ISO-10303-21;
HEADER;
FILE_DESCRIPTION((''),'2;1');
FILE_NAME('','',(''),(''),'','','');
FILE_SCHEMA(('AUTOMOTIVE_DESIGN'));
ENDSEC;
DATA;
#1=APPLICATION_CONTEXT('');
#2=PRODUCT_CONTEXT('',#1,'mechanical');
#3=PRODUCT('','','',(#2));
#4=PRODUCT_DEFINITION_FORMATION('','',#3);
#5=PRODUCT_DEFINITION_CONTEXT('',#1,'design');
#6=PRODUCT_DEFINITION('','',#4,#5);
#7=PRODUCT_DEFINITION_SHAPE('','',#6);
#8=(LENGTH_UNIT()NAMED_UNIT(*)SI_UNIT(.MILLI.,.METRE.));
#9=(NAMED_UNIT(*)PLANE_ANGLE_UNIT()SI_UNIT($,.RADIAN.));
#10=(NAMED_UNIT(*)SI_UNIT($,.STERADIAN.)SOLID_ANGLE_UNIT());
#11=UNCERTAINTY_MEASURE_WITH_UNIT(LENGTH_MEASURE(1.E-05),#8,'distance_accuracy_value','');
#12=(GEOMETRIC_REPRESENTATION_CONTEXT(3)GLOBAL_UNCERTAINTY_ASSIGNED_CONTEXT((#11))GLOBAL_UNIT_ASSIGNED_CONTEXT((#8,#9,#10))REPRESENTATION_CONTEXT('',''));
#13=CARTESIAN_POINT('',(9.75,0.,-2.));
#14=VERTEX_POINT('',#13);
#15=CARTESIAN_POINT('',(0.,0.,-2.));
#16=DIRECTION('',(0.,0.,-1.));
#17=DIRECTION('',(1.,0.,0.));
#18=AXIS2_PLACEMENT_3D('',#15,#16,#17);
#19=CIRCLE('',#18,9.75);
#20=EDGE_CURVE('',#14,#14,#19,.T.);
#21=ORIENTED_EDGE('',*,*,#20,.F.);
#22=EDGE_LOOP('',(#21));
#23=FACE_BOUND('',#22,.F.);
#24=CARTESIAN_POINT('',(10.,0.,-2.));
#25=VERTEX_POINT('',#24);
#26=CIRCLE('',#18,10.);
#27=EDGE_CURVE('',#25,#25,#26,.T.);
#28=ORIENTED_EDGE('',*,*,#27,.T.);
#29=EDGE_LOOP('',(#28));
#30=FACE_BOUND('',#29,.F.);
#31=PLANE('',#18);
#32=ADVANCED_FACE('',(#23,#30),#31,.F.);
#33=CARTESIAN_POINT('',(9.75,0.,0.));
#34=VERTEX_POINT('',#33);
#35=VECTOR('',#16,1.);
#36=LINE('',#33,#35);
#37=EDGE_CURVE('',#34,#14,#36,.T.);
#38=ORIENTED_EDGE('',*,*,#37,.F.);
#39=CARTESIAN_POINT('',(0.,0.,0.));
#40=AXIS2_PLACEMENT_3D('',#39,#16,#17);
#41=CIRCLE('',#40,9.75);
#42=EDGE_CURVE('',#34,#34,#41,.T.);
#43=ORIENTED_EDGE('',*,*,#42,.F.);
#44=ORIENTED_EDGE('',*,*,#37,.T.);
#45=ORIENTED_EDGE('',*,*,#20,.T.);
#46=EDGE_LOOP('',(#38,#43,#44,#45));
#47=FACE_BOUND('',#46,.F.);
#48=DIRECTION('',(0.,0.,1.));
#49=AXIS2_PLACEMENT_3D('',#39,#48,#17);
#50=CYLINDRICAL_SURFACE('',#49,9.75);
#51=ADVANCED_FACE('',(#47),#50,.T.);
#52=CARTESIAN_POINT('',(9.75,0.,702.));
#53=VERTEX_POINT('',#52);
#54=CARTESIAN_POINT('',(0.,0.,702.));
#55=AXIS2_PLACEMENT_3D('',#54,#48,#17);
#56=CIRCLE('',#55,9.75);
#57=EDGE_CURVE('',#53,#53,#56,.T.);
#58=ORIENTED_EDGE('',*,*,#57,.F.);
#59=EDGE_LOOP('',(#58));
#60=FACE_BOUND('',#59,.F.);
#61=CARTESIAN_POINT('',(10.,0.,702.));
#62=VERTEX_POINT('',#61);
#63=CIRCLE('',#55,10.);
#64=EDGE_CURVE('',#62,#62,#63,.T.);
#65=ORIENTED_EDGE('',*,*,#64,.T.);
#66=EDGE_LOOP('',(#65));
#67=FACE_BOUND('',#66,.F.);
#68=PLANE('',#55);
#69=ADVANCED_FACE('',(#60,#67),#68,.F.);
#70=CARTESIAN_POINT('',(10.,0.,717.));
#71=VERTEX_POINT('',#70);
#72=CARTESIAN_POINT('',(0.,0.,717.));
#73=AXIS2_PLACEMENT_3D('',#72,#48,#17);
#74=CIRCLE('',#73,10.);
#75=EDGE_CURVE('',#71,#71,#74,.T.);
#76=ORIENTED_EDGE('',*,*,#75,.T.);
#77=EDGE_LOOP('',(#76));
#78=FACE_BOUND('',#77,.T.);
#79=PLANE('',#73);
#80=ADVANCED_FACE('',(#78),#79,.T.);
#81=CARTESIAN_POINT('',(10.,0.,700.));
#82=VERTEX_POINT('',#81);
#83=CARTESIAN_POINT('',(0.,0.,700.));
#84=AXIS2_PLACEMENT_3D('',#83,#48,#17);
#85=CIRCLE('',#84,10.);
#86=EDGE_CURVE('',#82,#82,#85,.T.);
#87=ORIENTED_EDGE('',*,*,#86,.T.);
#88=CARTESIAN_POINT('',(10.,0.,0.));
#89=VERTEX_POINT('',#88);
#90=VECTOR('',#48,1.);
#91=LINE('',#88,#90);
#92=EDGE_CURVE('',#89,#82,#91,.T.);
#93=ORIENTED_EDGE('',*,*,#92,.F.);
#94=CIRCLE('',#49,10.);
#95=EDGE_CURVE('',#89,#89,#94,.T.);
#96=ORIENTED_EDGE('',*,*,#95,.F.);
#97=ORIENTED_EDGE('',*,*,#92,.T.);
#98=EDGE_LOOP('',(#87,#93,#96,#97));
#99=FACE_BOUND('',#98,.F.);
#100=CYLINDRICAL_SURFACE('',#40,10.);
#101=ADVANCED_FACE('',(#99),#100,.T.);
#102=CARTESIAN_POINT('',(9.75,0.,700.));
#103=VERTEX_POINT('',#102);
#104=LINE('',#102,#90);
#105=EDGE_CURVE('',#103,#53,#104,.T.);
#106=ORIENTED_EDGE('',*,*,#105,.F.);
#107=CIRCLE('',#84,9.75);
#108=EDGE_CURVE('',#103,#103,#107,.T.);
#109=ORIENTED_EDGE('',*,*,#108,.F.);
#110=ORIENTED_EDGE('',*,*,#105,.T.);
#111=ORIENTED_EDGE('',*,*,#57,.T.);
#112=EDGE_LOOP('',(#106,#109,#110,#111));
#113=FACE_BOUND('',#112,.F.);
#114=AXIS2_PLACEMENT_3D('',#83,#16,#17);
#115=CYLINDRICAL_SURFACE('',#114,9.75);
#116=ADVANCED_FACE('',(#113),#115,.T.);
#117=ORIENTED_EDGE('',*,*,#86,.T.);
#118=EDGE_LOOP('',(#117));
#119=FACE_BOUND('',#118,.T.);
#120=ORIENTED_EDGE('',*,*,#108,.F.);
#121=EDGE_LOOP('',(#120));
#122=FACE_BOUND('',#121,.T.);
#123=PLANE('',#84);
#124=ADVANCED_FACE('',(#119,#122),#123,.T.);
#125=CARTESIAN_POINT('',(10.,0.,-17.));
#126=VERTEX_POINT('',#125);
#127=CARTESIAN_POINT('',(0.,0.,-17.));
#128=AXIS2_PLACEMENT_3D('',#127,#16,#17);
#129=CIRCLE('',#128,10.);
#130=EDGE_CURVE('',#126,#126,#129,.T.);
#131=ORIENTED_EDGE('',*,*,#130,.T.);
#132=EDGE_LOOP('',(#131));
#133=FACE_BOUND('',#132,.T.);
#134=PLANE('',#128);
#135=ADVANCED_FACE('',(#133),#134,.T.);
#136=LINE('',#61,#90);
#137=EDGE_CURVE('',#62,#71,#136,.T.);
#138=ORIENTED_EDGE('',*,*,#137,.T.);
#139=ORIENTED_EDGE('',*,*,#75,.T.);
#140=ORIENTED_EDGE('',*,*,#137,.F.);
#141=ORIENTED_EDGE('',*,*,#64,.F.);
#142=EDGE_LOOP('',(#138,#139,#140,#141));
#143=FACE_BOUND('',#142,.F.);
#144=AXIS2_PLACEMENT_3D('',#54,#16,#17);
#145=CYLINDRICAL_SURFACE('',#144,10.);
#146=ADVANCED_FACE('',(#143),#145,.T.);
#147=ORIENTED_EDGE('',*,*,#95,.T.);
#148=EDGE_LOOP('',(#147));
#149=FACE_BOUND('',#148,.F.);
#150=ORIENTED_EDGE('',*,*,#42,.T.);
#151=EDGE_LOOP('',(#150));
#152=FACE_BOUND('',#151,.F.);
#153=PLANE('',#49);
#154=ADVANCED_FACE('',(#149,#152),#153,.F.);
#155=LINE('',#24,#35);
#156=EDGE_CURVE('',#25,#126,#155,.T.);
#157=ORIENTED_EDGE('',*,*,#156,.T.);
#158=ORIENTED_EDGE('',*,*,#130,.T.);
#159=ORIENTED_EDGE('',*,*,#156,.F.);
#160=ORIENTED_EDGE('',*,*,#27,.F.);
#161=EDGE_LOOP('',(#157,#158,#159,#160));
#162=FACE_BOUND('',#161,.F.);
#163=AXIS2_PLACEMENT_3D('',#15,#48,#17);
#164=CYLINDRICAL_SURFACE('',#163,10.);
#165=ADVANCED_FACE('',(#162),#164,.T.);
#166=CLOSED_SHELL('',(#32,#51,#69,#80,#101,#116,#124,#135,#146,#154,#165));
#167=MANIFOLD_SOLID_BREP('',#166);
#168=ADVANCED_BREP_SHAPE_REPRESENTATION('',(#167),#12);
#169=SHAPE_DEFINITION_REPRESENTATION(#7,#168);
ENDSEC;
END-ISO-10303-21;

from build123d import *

# Parameters (mm, degrees)
F0_R     = 10
F1_DEPTH = 700
F2_R     = 9.75
F3_DEPTH = 2
F4_R     = 10
F4_R_2   = 9.75
F5_DEPTH = 15
F6_R     = 9.75
F7_DEPTH = 2
F8_R     = 10
F8_R_2   = 9.75
F9_DEPTH = 15


with BuildPart() as f1:
    # F0 (on Top) → F1 (new body)
    with BuildSketch(Plane.XY):
        Circle(F0_R)
    extrude(amount=F1_DEPTH)

    # F2 (on face) → F3 (join)
    with BuildSketch(Plane(origin=(0, 0, 0), x_dir=(1, 0, 0), z_dir=(0, 0, -1))):
        Circle(F2_R)
    extrude(amount=F3_DEPTH)

    # F4 (on face) → F5 (join)
    with BuildSketch(Plane(origin=(0, 0, -2), x_dir=(1, 0, 0), z_dir=(0, 0, -1))):
        Circle(F4_R)
        Circle(F4_R_2, mode=Mode.SUBTRACT)
        Circle(F4_R_2)
    extrude(amount=F5_DEPTH)

    # F6 (on face) → F7 (join)
    with BuildSketch(Plane.XY.offset(700)):
        Circle(F6_R)
    extrude(amount=F7_DEPTH)

    # F8 (on face) → F9 (join)
    with BuildSketch(Plane.XY.offset(702)):
        Circle(F8_R)
        Circle(F8_R_2, mode=Mode.SUBTRACT)
        Circle(F8_R_2)
    extrude(amount=F9_DEPTH)


solid = f1.part
